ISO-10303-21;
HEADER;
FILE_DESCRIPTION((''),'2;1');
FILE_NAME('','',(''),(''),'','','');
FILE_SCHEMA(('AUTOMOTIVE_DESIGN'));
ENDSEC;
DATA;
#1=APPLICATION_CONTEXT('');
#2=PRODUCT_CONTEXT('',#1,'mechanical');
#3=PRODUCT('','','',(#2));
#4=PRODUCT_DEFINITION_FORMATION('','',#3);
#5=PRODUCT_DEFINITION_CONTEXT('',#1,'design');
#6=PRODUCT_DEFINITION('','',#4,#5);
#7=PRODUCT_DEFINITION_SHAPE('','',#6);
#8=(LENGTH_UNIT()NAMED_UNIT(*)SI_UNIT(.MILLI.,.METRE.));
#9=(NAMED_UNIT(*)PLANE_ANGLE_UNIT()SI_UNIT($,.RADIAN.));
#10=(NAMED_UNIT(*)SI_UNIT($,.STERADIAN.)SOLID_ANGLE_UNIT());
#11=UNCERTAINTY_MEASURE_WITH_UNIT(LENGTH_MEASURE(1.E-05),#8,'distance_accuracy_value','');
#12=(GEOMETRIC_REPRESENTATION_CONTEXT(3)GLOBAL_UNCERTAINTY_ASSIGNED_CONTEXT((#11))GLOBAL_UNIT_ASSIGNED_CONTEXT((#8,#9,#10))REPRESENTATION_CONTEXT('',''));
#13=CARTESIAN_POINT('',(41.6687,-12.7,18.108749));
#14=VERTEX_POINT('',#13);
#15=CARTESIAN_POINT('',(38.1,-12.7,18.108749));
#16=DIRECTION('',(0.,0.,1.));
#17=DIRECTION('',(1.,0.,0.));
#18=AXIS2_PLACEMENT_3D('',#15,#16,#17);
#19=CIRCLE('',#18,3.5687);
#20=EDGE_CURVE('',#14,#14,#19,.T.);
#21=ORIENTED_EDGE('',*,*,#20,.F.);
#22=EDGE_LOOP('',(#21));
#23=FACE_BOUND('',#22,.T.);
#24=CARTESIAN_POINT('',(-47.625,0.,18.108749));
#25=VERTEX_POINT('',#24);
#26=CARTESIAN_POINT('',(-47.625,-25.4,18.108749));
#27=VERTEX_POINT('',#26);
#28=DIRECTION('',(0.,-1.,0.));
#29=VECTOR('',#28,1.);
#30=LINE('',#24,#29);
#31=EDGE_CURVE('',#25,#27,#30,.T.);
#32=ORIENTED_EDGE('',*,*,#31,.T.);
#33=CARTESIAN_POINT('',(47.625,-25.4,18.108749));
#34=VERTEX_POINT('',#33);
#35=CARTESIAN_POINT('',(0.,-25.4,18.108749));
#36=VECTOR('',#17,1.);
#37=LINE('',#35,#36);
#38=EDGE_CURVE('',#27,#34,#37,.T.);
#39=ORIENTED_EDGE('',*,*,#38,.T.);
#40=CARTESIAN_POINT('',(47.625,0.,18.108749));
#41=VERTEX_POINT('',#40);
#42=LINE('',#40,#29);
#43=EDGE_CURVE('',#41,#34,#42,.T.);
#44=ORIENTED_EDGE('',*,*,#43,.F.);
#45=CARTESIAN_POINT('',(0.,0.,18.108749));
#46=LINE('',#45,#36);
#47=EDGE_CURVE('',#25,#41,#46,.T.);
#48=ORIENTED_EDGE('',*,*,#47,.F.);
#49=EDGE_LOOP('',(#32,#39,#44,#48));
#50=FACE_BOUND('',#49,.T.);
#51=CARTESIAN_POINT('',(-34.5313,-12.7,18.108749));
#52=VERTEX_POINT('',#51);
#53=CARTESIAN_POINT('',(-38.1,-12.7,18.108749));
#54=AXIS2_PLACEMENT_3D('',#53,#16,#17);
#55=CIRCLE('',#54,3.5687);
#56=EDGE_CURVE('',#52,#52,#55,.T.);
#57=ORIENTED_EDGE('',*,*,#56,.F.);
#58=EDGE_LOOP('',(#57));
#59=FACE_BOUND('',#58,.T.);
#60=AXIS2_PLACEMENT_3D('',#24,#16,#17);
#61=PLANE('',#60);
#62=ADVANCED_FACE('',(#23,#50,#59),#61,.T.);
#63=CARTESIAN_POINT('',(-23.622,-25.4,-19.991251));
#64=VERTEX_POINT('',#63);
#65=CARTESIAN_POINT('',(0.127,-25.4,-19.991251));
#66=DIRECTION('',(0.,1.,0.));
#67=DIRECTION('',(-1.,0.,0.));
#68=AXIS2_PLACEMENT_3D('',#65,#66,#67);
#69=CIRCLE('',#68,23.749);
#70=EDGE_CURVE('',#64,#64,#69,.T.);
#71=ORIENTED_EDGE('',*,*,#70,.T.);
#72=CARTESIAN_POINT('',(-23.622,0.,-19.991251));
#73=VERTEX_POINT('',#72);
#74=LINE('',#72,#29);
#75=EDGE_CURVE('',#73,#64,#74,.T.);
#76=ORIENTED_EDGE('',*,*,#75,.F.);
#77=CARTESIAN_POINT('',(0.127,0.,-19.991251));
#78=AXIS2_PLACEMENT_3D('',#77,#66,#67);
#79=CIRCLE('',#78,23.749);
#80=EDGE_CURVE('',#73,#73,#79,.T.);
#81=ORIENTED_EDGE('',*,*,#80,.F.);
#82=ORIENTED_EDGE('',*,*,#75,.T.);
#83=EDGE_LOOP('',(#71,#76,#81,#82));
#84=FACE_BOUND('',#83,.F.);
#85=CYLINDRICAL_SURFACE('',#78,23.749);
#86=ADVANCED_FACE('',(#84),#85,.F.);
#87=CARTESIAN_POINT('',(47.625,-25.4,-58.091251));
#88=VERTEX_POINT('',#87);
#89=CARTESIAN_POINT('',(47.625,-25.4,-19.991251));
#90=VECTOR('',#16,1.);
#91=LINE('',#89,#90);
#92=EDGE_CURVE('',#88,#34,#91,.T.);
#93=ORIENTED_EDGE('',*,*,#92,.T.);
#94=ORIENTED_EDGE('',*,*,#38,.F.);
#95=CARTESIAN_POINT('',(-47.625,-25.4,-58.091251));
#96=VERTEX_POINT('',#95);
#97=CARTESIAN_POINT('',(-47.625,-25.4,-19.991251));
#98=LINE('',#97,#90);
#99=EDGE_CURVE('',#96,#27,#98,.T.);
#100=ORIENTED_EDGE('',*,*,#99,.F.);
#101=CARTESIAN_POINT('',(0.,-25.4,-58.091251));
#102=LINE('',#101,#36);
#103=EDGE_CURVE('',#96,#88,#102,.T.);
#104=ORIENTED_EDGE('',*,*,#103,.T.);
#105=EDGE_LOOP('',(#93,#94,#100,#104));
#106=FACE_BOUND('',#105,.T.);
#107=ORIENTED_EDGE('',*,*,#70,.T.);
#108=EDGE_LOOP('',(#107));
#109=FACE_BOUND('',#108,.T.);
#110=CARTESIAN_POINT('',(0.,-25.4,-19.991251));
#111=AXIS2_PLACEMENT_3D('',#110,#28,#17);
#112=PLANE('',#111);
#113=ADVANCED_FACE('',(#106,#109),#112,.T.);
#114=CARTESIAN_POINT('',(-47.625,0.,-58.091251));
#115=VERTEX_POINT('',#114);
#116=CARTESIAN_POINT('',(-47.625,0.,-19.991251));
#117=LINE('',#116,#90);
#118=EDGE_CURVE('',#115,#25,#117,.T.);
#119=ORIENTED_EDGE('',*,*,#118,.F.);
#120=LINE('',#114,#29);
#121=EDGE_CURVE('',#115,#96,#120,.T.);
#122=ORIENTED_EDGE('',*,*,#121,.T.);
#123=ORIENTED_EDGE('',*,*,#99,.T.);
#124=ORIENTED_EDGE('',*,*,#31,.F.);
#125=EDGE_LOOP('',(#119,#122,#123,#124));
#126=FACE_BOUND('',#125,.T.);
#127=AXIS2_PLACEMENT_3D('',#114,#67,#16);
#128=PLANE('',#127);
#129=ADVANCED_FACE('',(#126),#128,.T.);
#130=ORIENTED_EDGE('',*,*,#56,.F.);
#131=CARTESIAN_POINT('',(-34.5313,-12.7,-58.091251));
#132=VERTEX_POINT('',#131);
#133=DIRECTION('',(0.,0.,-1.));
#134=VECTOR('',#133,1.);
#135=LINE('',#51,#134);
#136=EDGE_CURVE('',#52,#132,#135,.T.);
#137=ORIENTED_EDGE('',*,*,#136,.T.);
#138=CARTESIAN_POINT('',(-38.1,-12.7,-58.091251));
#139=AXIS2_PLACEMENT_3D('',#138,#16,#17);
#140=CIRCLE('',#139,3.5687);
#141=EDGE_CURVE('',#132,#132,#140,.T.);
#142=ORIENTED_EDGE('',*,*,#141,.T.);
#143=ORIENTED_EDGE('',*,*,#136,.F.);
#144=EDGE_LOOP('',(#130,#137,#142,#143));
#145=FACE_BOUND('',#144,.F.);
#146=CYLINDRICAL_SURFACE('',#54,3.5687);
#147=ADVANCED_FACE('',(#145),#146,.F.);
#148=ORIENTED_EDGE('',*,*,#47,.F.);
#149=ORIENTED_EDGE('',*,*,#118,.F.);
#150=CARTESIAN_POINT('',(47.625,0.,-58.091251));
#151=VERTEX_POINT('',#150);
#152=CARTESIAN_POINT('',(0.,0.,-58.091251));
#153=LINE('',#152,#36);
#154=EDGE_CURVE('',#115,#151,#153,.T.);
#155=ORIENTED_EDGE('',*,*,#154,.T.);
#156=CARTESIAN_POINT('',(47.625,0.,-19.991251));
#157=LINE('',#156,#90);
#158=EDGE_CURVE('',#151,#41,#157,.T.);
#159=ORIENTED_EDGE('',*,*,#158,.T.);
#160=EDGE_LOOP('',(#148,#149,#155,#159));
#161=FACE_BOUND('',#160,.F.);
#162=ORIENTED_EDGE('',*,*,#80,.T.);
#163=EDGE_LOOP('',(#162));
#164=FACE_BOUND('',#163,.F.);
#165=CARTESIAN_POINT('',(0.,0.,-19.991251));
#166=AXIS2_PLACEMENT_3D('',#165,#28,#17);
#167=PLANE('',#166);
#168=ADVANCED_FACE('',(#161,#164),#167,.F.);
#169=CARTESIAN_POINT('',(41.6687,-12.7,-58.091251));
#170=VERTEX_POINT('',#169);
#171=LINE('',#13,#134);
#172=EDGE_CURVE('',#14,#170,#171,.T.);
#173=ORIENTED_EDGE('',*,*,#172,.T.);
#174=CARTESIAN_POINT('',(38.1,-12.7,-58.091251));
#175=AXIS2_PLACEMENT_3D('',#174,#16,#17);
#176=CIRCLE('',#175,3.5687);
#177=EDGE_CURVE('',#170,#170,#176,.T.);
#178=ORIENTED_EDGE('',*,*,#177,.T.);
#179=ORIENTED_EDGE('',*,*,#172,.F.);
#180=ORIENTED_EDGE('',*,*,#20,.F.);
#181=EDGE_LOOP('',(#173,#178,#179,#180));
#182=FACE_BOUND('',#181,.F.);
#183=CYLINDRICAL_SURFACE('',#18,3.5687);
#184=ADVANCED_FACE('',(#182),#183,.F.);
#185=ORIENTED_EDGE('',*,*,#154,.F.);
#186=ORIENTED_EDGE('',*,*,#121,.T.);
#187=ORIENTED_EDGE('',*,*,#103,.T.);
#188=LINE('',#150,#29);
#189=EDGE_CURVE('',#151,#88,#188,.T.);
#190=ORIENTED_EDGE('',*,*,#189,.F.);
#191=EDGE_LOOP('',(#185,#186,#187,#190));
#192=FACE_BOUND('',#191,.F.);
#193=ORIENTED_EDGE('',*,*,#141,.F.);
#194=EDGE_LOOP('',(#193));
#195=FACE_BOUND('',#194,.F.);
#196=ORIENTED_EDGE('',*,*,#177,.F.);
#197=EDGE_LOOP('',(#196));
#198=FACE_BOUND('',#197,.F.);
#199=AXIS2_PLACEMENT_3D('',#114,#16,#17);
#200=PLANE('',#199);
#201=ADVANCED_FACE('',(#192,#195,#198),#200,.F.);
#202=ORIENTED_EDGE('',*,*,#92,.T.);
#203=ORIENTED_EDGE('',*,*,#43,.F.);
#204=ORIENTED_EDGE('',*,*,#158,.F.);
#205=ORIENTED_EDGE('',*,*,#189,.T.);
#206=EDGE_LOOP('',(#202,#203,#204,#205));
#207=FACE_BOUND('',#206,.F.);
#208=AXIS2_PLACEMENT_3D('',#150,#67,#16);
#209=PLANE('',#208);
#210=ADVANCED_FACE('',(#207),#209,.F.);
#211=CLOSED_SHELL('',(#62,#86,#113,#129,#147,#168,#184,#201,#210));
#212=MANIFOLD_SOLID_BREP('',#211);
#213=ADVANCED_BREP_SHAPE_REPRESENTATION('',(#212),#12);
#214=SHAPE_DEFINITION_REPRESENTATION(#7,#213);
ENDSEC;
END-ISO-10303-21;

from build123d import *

# Parameters (mm, degrees)
F0_W     = 95.25
F0_H     = 76.2
F1_DEPTH = 25.4
F2_R     = 23.749
F3_DEPTH = 25.4
F4_R     = 3.5687
F5_DEPTH = 76.2


with BuildPart() as f1:
    # F0 (on Front) → F1 (new body)
    with BuildSketch(Plane.XZ):
        with Locations((0, -19.991251)):
            Rectangle(F0_W, F0_H)
    extrude(amount=F1_DEPTH)

    # F2 (on face) → F3 (cut, through all)
    with BuildSketch(Plane(origin=(0, 0, 0), x_dir=(-1, 0, 0), z_dir=(0, 1, 0))):
        with Locations((-0.127, -19.991251)):
            Circle(F2_R)
    extrude(amount=-F3_DEPTH, mode=Mode.SUBTRACT)

    # F4 (on face) → F5 (cut, through all)
    with BuildSketch(Plane.XY.offset(18.108749)):
        with Locations((-38.1, -12.7)):
            Circle(F4_R)
        with Locations((38.1, -12.7)):
            Circle(F4_R)
    extrude(amount=-F5_DEPTH, mode=Mode.SUBTRACT)


solid = f1.part
